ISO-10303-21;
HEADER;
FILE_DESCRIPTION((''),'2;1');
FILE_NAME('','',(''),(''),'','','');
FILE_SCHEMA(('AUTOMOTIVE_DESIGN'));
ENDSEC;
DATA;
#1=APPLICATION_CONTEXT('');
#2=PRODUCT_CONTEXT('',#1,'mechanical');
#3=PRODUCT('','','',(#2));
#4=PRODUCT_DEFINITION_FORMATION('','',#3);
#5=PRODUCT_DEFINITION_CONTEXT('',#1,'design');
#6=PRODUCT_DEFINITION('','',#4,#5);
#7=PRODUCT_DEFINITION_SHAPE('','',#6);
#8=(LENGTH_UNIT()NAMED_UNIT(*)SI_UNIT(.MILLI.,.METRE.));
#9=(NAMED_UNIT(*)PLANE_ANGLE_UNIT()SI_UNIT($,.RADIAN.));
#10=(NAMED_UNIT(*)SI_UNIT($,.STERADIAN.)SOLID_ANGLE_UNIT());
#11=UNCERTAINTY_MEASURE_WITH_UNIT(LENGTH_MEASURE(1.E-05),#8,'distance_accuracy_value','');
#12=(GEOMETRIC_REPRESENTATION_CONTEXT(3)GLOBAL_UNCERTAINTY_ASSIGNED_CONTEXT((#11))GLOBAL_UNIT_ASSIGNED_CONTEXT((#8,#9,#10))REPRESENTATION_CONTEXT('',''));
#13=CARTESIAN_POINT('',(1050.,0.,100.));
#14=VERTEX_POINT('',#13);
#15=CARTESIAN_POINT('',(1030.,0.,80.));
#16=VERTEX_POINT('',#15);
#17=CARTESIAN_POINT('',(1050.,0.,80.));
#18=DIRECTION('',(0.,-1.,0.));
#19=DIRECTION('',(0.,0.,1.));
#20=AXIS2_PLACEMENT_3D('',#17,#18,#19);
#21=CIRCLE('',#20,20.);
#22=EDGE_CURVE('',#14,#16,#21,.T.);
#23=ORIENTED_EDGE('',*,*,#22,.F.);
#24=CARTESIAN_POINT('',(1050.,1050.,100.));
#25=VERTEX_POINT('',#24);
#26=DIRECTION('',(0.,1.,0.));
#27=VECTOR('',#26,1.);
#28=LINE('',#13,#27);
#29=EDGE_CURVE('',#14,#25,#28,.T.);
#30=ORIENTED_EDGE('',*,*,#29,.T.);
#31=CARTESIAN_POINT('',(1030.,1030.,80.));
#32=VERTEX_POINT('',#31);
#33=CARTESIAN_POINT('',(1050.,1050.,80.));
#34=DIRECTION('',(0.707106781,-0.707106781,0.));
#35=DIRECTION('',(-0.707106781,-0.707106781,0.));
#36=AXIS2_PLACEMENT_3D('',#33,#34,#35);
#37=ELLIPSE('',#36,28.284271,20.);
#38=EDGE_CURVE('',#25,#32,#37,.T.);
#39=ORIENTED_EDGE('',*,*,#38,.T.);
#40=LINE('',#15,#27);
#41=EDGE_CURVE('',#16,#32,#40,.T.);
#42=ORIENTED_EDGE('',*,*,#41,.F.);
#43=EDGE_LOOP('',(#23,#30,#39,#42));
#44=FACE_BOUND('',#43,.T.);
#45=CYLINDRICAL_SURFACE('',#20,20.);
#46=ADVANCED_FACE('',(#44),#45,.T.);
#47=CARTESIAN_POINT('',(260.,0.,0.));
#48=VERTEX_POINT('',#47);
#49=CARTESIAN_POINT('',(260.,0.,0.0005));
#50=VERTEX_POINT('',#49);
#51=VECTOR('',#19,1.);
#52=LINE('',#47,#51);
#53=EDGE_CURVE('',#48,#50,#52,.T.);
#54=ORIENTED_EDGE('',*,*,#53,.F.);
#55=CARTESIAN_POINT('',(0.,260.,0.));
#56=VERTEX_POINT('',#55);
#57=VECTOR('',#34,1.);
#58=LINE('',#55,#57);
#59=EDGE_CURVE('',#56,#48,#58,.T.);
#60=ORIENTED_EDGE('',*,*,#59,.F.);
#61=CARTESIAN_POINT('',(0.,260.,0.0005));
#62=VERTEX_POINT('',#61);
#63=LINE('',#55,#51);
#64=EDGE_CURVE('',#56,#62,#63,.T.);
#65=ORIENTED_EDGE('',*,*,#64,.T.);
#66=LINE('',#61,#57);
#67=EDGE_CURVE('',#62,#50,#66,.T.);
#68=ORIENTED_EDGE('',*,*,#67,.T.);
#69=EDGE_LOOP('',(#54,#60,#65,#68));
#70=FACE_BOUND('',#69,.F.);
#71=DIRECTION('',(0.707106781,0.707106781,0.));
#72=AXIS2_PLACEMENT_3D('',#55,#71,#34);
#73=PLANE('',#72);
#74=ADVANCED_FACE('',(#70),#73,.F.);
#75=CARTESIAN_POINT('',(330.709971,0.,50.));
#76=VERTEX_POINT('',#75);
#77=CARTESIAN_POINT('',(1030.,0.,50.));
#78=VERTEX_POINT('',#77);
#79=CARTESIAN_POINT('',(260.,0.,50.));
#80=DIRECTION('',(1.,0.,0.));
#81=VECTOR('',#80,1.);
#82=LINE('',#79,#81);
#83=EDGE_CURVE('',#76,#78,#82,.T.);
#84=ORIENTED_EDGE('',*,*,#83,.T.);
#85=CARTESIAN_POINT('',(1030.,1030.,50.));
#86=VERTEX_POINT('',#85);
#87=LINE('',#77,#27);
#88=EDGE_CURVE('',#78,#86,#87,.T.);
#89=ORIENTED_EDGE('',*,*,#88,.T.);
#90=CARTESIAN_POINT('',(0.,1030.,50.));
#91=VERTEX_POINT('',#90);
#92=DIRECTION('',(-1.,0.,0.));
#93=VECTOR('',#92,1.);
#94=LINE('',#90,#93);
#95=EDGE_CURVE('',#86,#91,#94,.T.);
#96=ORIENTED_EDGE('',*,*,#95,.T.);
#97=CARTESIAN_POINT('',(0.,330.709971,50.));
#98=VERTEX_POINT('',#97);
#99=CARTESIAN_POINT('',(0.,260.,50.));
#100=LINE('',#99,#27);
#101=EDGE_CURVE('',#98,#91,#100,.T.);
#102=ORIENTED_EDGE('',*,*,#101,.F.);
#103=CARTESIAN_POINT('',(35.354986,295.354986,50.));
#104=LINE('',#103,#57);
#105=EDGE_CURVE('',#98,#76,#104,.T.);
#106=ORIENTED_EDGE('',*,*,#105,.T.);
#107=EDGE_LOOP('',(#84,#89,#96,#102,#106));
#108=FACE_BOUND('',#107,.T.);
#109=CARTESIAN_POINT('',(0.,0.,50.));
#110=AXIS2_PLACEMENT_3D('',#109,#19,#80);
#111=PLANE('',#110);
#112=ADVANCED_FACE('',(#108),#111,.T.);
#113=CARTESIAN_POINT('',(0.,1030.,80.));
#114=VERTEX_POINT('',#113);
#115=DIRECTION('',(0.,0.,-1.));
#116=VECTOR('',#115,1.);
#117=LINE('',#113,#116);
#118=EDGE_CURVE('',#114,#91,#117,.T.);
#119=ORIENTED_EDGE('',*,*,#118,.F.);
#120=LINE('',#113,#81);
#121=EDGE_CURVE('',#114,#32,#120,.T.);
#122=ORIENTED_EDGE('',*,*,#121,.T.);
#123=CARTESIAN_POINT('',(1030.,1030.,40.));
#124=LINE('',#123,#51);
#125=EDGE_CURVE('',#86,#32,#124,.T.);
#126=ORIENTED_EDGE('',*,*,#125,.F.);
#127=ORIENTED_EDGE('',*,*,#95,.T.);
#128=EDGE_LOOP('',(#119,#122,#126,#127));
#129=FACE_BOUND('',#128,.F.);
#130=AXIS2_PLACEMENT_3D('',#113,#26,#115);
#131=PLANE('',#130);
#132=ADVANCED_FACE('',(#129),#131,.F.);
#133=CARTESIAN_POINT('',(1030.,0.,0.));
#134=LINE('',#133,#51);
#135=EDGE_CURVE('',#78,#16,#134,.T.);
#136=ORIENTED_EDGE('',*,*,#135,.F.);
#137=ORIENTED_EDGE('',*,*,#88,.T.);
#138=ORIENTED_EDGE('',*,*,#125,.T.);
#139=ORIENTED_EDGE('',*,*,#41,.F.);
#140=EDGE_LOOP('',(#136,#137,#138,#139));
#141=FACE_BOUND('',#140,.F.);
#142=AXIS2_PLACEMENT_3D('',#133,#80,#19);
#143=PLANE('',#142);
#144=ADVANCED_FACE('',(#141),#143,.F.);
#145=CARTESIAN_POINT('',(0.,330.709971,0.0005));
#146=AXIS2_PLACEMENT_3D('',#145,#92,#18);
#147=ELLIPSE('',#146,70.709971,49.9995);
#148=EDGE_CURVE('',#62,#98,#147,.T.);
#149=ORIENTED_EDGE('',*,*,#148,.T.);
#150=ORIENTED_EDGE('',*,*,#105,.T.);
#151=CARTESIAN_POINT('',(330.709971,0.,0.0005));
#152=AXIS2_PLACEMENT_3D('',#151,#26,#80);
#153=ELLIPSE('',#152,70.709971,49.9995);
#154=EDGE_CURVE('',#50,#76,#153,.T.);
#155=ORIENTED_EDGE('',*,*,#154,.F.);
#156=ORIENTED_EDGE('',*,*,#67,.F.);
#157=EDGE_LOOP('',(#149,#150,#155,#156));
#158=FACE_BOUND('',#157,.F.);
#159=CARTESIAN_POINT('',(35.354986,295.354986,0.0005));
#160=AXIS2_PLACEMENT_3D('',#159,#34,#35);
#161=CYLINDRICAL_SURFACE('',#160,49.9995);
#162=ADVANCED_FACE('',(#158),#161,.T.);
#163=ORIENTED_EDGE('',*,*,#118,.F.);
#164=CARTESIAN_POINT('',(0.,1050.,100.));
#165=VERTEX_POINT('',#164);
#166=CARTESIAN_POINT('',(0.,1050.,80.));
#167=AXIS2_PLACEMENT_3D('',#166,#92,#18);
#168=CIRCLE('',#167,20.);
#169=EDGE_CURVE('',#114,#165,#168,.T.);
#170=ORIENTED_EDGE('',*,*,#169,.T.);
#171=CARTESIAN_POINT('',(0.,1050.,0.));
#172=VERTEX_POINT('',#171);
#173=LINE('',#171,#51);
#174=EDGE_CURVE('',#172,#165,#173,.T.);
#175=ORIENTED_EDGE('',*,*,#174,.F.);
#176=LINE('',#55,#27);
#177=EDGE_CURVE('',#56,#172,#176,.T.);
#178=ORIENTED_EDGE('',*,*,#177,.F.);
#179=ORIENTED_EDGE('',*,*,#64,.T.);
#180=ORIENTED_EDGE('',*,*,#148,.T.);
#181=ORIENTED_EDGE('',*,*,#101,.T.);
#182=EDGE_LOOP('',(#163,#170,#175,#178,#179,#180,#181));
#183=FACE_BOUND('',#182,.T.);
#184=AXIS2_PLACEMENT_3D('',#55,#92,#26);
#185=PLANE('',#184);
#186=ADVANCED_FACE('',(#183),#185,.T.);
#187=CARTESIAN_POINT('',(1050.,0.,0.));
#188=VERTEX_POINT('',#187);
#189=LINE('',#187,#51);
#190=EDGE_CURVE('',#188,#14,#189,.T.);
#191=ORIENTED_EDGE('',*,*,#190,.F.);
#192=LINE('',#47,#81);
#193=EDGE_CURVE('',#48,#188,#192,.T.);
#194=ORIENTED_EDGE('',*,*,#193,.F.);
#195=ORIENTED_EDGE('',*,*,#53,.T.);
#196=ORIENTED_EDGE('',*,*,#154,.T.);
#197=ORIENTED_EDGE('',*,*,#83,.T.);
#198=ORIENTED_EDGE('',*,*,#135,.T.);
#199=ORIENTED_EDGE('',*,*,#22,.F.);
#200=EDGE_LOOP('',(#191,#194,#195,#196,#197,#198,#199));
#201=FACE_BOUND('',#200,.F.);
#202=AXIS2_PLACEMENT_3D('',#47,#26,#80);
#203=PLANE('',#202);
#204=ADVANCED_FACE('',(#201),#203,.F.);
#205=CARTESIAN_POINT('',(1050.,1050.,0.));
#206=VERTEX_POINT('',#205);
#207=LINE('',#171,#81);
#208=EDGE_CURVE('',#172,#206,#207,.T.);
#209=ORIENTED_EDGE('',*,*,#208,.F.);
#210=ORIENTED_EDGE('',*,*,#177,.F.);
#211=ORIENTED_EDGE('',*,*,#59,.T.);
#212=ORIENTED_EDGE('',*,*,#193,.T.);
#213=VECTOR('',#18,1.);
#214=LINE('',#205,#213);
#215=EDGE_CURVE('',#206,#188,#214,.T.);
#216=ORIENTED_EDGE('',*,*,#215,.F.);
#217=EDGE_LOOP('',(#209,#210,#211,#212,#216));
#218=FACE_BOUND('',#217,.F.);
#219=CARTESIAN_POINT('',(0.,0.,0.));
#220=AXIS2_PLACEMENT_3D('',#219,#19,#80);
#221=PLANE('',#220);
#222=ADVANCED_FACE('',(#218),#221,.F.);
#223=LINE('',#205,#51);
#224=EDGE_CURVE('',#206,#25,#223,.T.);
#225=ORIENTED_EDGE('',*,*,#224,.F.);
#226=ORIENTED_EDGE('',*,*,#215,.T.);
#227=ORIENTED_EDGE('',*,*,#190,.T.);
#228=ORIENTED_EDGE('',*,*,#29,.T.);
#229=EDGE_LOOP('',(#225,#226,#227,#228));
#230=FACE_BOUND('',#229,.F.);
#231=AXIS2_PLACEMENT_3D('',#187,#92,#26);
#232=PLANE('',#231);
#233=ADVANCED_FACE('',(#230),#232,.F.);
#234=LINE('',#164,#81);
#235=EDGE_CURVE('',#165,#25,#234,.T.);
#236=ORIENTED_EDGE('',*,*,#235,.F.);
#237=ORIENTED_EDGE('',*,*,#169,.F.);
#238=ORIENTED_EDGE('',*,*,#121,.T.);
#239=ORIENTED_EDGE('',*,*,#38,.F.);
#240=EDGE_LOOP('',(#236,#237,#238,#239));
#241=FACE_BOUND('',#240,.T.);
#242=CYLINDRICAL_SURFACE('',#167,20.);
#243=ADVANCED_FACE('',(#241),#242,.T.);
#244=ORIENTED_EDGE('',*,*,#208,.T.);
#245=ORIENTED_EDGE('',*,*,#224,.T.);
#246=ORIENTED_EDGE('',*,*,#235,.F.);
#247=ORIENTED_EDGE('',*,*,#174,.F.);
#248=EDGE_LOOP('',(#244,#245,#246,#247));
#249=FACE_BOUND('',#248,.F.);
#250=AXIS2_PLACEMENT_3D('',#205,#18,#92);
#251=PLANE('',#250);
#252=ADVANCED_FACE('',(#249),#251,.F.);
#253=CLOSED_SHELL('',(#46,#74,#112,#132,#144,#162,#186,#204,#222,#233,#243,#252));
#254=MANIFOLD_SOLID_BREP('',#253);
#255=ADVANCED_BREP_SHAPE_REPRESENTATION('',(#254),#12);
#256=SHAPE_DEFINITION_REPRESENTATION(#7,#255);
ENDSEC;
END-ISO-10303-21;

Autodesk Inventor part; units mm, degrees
ref_plane "YZ Plane" through (0, 0, 0) normal (1, 0, 0) x (0, 1, 0)
ref_plane "XZ Plane" through (0, 0, 0) normal (0, 1, 0) x (-1, 0, 0)
ref_plane "XY Plane" through (0, 0, 0) normal (0, 0, 1) x (1, 0, 0)
sketch "Sketch1" plane through (0, 0, 0) normal (0, 0, 1) x (1, 0, 0)
  line L0 (0, 0) -> (1050, 0) construction
  line L1 (1050, 0) -> (1050, 1050)
  line L2 (1050, 1050) -> (0, 1050)
  line L3 (0, 1050) -> (0, 0) construction
  line L4 (0, 260) -> (260, 0)
  line L5 (0, 260) -> (0, 1050)
  line L6 (260, 0) -> (1050, 0)
  dimension "profundidad" = 790
  dimension "d22" = 790
  dimension "d23" = 1050
extrude "Extrusion1" add sketch "Sketch1" along normal blind 50
fillet "Fillet1" radius 50 1 edges at (130, 130, 50)
sketch "Sketch3" plane through (1050, 0, 0) normal (0, -1, 0) x (1, 0, 0)
  line L0 (-1050, 0) -> (0, 0) projected
  line L1 (0, 0) -> (-20, 0)
  line L2 (-20, 0) -> (-20, 80)
  line L3 (0, 100) -> (0, 100)
  line L4 (0, 100) -> (0, 0)
  arc A0 (0, 100) -> (-20, 80) centre (0, 80) ccw
  point P0 (-20, 100)
  dimension "d9" = 20
  dimension "d10" = 100
  dimension "d11" = 20
extrude "Extrusion2" add sketch "Sketch3" against normal up to surface (1050 mm away)
sketch "Sketch4" plane through (0, 1050, 0) normal (-1, 0, 0) x (0, 0, 1)
  line L0 (0, 0) -> (100, 0) projected
  line L1 (100, -1050) -> (100, 0) projected
  line L2 (0, 0) -> (100, 0)
  line L3 (100, 0) -> (100, 0)
  line L4 (80, -20) -> (0, -20)
  line L5 (0, -20) -> (0, 0)
  arc A0 (80, -20) -> (100, 0) centre (80, 0) ccw
  point P0 (0, -1050)
  point P1 (100, -20)
  dimension "d14" = 20
  dimension "d15" = 20
extrude "Extrusion3" add sketch "Sketch4" against normal up to surface (1050 mm away)
properties part number "meson_esquinero"
